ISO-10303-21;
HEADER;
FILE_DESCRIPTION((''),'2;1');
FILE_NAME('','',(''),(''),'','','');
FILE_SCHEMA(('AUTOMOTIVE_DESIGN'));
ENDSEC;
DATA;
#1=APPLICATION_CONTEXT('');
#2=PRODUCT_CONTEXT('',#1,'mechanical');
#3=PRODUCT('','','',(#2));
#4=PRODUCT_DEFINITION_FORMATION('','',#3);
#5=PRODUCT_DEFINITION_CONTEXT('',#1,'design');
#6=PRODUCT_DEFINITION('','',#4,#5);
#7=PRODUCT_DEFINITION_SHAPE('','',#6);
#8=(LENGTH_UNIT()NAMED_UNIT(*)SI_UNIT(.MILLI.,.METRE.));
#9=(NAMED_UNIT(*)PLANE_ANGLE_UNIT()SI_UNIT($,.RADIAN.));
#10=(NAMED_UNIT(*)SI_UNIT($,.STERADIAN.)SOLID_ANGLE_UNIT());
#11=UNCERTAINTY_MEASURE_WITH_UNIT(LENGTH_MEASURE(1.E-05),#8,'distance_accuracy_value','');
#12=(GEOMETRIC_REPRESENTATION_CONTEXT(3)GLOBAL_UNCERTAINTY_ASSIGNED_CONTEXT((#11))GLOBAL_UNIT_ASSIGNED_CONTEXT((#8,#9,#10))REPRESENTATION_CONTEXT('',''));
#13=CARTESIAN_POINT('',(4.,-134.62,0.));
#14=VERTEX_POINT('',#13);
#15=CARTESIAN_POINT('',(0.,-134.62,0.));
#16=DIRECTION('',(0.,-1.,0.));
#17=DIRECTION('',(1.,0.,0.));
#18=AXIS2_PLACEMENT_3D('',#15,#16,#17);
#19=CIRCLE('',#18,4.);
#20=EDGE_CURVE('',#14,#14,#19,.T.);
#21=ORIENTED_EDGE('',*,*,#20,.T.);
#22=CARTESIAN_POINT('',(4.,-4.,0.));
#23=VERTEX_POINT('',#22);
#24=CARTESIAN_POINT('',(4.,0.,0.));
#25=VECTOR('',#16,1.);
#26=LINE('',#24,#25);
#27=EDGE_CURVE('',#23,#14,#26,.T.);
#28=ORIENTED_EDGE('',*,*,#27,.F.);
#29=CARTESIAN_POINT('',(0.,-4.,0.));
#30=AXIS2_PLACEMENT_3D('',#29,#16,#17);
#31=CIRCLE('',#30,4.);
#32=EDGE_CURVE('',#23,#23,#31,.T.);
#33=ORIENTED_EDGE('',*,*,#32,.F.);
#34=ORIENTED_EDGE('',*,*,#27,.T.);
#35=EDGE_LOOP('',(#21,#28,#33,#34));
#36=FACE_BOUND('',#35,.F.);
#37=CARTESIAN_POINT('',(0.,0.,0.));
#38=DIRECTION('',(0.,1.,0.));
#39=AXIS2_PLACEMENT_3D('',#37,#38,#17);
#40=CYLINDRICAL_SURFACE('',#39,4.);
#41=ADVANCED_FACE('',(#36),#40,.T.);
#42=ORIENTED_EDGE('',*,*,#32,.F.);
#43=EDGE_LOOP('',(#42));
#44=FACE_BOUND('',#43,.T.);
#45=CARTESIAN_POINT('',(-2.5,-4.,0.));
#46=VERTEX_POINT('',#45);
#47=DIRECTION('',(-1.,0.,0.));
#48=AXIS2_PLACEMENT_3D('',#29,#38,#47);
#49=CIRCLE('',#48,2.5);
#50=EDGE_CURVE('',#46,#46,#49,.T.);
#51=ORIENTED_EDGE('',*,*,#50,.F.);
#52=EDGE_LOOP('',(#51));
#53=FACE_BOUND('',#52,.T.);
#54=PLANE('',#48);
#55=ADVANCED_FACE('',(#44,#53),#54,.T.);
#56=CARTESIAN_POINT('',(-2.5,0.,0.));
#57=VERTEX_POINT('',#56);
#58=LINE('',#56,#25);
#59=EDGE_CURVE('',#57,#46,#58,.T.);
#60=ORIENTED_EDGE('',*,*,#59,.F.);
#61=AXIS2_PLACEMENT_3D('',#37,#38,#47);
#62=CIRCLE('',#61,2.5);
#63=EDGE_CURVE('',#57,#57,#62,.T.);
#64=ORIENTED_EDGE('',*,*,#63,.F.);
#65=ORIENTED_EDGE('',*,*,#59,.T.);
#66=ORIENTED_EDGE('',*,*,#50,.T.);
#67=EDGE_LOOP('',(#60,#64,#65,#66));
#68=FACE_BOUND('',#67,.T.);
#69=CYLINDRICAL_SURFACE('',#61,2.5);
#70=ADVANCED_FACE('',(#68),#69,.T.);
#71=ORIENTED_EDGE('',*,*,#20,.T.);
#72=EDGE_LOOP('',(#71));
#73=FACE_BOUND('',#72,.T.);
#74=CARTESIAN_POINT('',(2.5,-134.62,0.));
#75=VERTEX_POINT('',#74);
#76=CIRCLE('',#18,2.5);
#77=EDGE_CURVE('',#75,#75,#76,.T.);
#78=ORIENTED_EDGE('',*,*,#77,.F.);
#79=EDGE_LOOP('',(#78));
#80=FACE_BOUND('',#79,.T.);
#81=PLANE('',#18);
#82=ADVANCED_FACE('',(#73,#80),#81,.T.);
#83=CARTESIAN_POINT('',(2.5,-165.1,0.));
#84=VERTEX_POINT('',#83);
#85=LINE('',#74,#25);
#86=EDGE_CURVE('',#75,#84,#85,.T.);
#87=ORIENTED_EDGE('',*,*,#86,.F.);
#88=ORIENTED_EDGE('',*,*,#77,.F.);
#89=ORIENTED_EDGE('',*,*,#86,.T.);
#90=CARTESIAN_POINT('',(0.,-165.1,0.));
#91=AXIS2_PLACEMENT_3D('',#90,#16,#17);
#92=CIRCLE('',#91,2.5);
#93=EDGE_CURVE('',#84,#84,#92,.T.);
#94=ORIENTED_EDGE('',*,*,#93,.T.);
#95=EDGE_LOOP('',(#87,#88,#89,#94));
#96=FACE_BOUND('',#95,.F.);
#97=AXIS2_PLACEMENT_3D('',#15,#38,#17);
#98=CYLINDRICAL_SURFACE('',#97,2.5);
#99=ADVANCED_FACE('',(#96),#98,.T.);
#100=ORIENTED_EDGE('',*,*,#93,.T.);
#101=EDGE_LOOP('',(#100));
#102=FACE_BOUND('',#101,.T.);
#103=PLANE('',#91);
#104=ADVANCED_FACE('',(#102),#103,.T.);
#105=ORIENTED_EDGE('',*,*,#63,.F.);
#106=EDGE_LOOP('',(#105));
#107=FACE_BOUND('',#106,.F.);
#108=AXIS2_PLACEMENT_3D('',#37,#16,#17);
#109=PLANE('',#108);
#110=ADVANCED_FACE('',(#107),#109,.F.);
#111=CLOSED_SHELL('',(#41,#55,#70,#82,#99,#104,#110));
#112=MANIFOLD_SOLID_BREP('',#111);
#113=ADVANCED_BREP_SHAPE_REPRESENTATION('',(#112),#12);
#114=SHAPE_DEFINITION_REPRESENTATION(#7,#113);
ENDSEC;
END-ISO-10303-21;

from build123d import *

# Parameters (mm, degrees)
F0_R     = 4
F1_DEPTH = 134.62
F2_R     = 4
F2_R_2   = 2.5
F3_DEPTH = 4
F4_R     = 2.5
F5_DEPTH = 30.48


with BuildPart() as f1:
    # F0 (on Front) → F1 (new body)
    with BuildSketch(Plane.XZ):
        Circle(F0_R)
    extrude(amount=F1_DEPTH)

    # F2 (on face) → F3 (cut)
    with BuildSketch(Plane(origin=(0, 0, 0), x_dir=(-1, 0, 0), z_dir=(0, 1, 0))):
        Circle(F2_R)
        Circle(F2_R_2, mode=Mode.SUBTRACT)
    extrude(amount=-F3_DEPTH, mode=Mode.SUBTRACT)

    # F4 (on face) → F5 (join)
    with BuildSketch(Plane.XZ.offset(134.62)):
        Circle(F4_R)
    extrude(amount=F5_DEPTH)


solid = f1.part
